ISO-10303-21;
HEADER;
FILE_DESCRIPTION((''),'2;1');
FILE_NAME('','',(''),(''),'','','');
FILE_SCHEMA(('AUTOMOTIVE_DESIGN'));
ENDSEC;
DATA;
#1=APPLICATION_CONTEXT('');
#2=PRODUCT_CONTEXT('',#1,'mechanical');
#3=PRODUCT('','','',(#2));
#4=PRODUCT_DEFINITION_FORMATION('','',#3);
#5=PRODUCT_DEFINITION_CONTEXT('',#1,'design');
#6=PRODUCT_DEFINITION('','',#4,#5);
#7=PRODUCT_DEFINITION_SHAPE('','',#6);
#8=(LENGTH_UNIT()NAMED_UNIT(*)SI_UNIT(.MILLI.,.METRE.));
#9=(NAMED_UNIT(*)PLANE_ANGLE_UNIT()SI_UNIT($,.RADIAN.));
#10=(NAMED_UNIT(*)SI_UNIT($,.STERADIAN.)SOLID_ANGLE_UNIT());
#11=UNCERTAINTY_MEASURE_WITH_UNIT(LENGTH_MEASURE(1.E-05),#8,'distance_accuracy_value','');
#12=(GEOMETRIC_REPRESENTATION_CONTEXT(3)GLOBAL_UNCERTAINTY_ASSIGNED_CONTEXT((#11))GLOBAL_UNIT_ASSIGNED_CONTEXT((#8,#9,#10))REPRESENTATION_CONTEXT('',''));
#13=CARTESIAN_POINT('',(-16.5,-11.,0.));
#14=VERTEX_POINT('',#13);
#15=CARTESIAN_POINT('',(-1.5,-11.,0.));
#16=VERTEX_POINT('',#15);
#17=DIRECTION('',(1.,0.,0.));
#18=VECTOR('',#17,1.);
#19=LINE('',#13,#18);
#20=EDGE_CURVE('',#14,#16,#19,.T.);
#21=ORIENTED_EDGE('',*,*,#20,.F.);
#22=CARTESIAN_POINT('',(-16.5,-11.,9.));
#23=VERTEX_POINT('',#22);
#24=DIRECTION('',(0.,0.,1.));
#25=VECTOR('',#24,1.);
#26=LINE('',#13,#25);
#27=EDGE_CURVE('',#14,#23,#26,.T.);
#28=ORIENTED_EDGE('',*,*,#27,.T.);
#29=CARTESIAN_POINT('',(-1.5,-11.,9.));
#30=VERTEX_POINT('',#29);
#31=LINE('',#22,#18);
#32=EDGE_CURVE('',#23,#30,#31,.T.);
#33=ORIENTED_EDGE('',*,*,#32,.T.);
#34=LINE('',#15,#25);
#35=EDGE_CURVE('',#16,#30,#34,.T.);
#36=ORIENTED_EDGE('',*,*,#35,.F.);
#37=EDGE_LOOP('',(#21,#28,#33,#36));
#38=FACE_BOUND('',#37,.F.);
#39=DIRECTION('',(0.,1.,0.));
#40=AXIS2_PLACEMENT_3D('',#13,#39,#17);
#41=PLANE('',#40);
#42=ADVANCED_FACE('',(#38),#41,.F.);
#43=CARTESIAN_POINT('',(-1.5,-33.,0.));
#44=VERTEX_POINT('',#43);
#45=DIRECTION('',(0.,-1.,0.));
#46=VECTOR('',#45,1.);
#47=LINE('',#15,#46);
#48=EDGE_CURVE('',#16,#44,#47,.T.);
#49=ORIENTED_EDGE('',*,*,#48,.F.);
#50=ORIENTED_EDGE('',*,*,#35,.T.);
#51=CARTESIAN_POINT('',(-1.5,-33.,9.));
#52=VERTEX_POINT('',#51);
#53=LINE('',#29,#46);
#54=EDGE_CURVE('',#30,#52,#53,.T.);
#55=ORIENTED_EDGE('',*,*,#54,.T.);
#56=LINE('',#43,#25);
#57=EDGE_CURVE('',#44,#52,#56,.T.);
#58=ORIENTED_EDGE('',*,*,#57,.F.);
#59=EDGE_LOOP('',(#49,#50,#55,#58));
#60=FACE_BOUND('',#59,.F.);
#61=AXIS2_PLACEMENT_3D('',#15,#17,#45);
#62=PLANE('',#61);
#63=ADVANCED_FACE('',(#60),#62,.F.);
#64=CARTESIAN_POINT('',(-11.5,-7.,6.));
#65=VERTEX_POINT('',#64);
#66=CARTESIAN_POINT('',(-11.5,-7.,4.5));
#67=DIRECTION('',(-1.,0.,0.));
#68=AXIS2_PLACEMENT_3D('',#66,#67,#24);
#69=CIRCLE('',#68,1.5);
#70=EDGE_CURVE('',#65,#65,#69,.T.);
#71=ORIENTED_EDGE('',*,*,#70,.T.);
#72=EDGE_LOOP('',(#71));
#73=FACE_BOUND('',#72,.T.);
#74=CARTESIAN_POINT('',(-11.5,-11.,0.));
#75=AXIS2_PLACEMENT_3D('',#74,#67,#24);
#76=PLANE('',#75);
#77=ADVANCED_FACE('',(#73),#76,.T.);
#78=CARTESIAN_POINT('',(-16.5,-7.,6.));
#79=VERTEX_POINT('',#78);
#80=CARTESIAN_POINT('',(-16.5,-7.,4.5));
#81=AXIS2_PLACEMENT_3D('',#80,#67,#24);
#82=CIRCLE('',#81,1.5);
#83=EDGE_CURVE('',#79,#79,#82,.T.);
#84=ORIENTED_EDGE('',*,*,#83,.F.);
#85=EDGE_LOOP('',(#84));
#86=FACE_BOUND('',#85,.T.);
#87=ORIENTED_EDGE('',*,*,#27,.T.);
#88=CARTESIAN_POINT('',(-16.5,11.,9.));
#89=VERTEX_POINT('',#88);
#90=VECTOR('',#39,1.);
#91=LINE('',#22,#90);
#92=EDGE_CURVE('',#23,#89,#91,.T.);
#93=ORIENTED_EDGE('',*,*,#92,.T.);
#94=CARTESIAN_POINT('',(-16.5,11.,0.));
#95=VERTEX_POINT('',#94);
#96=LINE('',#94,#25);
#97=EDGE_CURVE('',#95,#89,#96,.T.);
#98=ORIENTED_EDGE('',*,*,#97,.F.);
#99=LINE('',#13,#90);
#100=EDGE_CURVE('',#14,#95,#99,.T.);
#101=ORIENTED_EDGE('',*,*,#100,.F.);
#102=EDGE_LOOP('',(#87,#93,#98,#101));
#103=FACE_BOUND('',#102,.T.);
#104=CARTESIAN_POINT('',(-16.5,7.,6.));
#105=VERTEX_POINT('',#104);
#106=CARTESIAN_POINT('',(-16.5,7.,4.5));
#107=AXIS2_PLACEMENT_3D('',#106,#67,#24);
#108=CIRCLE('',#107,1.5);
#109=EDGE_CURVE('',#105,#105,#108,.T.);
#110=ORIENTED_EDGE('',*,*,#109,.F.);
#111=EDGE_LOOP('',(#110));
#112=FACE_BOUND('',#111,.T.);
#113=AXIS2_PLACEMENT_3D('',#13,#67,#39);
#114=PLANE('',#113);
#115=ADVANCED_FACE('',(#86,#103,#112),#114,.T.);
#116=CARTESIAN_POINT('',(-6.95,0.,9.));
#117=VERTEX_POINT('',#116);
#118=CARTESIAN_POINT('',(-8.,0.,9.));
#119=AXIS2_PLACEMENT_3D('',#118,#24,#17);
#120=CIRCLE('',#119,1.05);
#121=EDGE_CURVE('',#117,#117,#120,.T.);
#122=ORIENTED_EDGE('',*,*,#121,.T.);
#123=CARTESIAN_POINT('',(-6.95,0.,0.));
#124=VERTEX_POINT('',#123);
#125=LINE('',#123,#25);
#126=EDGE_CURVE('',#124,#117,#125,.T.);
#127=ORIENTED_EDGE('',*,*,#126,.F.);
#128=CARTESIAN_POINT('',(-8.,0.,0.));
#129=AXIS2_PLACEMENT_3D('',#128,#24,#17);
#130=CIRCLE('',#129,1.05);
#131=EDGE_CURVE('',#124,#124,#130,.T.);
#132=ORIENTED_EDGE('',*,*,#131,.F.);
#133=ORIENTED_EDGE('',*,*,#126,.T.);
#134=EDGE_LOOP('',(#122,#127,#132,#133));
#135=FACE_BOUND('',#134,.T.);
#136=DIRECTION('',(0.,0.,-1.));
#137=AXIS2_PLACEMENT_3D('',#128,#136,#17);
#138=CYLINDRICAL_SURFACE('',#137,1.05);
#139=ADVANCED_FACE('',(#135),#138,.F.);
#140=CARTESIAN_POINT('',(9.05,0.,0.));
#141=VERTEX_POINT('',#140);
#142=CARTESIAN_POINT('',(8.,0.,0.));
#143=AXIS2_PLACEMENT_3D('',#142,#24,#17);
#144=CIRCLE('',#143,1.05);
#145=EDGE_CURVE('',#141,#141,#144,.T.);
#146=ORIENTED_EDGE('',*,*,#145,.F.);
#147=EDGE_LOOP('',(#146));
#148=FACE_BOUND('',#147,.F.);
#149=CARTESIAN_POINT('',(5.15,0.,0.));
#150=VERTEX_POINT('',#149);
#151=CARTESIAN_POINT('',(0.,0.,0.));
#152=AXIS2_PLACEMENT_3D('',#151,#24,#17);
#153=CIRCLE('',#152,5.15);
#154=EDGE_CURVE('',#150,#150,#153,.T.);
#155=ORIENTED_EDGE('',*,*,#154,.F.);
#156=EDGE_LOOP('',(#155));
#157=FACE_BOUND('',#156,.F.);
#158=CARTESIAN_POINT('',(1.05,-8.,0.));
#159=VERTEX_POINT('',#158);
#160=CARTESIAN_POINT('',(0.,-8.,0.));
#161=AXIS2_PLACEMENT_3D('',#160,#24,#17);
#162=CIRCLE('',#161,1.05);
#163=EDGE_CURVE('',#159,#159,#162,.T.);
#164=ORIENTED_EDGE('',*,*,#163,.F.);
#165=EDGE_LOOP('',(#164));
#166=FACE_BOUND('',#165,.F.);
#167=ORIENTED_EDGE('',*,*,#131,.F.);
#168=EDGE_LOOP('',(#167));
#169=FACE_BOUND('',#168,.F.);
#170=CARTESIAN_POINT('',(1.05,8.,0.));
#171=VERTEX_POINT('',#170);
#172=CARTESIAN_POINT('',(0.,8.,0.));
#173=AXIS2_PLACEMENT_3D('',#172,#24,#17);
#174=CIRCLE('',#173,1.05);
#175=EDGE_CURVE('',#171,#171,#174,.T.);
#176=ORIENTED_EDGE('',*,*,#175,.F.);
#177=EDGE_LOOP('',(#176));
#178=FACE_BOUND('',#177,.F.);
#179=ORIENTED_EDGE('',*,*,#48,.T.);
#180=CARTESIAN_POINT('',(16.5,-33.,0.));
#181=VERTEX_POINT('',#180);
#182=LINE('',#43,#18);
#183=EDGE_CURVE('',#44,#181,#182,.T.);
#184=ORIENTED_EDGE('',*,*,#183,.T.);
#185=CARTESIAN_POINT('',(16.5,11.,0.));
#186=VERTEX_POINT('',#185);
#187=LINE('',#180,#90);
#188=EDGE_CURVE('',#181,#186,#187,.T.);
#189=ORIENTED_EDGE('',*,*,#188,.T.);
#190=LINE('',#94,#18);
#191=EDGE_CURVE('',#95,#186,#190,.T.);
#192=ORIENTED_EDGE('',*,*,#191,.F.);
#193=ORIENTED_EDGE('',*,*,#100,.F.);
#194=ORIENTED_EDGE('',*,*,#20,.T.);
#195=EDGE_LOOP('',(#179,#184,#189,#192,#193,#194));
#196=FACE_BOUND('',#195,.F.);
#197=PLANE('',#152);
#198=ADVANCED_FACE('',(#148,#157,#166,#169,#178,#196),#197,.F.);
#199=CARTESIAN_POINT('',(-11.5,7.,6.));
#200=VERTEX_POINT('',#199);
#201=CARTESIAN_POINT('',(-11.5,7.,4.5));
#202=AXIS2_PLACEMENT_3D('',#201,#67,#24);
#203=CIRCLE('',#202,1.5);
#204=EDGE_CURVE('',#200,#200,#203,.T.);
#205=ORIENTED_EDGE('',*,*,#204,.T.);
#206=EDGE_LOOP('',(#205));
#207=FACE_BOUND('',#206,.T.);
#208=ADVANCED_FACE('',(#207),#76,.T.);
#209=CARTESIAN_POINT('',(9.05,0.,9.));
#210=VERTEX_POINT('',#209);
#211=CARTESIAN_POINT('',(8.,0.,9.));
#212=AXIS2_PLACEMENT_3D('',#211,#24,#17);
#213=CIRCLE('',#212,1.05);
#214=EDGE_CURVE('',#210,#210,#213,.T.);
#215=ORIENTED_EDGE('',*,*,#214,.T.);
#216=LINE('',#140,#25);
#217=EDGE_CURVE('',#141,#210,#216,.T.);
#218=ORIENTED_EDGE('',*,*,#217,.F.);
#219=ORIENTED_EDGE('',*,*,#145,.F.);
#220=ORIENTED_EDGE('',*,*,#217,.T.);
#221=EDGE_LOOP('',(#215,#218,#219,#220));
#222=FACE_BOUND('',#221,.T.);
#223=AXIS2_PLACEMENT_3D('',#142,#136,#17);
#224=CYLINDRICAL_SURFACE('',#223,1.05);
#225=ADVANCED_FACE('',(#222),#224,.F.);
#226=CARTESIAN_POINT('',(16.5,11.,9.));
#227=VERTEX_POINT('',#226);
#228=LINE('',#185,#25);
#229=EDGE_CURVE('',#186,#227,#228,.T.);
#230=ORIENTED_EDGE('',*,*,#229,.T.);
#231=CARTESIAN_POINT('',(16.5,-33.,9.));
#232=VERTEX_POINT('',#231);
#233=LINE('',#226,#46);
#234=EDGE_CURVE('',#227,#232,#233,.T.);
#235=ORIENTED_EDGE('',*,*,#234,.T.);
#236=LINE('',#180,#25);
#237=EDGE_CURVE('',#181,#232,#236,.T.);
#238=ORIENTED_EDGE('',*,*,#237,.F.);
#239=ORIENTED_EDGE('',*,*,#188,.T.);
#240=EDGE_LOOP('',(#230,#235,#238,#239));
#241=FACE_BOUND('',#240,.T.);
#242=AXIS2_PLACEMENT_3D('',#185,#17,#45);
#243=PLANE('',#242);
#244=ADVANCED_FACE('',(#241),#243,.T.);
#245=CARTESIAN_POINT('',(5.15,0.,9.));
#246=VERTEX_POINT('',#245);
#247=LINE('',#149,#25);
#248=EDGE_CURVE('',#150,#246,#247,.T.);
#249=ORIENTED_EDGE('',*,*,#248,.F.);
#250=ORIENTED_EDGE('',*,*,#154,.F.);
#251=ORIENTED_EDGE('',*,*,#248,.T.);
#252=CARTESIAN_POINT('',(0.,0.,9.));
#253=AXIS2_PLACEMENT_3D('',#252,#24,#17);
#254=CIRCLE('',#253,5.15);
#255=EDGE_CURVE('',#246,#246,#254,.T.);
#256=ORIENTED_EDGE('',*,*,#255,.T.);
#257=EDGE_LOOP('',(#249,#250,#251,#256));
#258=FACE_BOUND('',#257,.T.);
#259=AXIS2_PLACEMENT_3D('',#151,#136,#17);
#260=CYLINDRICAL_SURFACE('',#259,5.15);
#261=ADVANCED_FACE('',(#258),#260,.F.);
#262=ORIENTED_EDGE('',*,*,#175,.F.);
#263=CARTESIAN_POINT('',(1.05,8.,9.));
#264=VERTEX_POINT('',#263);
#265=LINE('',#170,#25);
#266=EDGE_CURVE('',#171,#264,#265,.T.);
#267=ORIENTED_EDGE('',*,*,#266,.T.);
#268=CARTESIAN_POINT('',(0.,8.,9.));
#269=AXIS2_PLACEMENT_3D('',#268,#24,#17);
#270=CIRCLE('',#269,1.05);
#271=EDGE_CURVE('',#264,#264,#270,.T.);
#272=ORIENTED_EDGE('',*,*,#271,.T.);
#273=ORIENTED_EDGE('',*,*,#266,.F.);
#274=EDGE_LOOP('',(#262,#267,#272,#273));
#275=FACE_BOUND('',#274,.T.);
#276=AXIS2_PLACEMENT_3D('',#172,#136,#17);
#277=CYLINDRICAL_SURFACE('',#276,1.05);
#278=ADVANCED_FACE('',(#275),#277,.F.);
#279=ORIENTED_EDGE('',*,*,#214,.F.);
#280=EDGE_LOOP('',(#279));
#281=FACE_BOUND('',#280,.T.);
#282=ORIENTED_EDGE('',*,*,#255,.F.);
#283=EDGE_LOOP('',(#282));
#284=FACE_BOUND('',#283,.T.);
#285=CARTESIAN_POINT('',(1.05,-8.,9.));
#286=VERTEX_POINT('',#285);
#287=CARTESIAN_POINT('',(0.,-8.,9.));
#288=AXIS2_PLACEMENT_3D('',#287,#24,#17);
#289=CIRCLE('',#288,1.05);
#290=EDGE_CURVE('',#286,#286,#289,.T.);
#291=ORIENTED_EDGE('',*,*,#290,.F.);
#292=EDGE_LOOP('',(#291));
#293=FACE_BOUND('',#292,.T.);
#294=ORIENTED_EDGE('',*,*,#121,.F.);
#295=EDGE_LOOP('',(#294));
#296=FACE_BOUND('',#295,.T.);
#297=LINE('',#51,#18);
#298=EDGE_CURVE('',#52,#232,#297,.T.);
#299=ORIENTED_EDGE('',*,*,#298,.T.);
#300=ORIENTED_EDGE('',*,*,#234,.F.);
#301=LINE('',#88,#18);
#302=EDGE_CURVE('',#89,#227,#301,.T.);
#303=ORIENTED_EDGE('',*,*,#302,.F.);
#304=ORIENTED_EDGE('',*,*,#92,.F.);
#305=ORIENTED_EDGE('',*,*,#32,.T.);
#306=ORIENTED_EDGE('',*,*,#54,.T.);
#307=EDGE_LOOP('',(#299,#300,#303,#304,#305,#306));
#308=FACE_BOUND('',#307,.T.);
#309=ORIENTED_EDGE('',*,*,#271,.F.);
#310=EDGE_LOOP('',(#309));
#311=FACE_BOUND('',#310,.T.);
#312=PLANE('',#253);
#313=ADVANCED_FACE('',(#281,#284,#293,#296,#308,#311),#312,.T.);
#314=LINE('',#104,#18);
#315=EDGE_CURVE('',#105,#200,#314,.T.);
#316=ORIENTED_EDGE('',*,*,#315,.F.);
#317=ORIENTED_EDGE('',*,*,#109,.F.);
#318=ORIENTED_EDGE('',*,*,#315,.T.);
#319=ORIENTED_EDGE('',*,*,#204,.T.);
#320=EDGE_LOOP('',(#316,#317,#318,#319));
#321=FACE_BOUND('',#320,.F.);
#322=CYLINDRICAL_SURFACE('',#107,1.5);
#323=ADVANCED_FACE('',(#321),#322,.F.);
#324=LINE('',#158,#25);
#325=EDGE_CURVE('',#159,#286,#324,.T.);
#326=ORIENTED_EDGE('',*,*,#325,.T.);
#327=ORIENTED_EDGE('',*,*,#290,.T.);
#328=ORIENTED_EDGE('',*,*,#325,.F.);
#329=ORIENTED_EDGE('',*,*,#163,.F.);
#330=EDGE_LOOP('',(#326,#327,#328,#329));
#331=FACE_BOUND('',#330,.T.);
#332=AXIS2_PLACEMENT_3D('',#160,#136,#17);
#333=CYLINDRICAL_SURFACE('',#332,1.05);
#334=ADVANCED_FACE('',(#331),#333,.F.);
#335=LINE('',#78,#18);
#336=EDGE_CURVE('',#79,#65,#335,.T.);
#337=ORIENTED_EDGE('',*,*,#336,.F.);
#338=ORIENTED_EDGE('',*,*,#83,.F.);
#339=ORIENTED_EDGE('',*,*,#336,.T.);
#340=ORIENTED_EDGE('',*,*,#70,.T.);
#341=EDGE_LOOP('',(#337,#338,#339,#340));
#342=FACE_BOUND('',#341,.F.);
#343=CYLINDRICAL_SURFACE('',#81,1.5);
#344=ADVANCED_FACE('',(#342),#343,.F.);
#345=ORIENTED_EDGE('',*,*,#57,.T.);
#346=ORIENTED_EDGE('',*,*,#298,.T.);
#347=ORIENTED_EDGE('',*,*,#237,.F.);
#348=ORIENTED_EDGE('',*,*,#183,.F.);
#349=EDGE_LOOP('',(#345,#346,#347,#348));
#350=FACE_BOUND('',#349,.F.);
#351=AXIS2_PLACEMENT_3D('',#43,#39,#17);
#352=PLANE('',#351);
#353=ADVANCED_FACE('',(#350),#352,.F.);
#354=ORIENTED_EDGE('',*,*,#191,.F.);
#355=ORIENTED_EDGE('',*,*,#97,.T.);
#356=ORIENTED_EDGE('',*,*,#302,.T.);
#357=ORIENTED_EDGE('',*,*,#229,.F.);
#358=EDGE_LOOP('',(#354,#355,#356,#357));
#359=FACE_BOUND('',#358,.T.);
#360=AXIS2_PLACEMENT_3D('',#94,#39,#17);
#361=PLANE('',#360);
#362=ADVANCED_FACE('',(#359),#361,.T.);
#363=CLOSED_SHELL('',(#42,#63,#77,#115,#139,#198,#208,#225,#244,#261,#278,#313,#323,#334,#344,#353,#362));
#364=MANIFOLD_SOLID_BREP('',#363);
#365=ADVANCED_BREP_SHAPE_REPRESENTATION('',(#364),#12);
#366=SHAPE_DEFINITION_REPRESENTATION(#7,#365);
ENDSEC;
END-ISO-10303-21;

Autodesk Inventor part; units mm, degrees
ref_plane "YZ Plane" through (0, 0, 0) normal (1, 0, 0) x (0, 1, 0)
ref_plane "XZ Plane" through (0, 0, 0) normal (0, 1, 0) x (-1, 0, 0)
ref_plane "XY Plane" through (0, 0, 0) normal (0, 0, 1) x (1, 0, 0)
sketch "Sketch1" plane through (0, 0, 0) normal (0, 0, 1) x (1, 0, 0)
  line L0 (-16.5, 11) -> (16.5, 11)
  line L1 (16.5, 11) -> (16.5, -11)
  line L2 (16.5, -11) -> (-16.5, -11) construction
  line L3 (-16.5, -11) -> (-16.5, 11)
  line L4 (-16.5, 11) -> (16.5, -11) construction
  line L5 (16.5, 11) -> (-16.5, -11) construction
  line L6 (-16.5, -11) -> (-1.5, -11)
  line L7 (-1.5, -11) -> (-1.5, -33)
  line L8 (-1.5, -33) -> (16.5, -33)
  line L9 (16.5, -33) -> (16.5, -11)
  circle A0 centre (0, 0) radius 5.15
  circle A1 centre (0, 8) radius 1.05
  circle A2 centre (-8, 0) radius 1.05
  circle A3 centre (0, -8) radius 1.05
  circle A4 centre (8, 0) radius 1.05
  dimension "d0" = 33
  dimension "d1" = 22
  dimension "d2" = 15
  dimension "d3" = 44
  dimension "d4" = 10.3
  dimension "d5" = 8
  dimension "d8" = 360
  dimension "d10" = 2.1
extrude "Extrusion1" add sketch "Sketch1" along normal blind 9
sketch "Sketch2" plane through (-16.5, -11, 0) normal (-1, 0, 0) x (0, 0, 1)
  circle A0 centre (4.5, 4) radius 1.5
  line L0 (0, 0) -> (9, 0) construction
  line L1 (9, 22) -> (9, 0) projected
  line L2 (0, 11) -> (9, 11) construction
  line L3 (0, 22) -> (0, 0) projected
  circle A1 centre (4.5, 18) radius 1.5
  point P0 (0, 11)
  point P1 (4.5, 0)
  dimension "d13" = 3
  dimension "d14" = 4
extrude "Extrusion2" cut sketch "Sketch2" against normal blind 5
properties part number "batente_microswitch_001" material "ABS Plastic"
